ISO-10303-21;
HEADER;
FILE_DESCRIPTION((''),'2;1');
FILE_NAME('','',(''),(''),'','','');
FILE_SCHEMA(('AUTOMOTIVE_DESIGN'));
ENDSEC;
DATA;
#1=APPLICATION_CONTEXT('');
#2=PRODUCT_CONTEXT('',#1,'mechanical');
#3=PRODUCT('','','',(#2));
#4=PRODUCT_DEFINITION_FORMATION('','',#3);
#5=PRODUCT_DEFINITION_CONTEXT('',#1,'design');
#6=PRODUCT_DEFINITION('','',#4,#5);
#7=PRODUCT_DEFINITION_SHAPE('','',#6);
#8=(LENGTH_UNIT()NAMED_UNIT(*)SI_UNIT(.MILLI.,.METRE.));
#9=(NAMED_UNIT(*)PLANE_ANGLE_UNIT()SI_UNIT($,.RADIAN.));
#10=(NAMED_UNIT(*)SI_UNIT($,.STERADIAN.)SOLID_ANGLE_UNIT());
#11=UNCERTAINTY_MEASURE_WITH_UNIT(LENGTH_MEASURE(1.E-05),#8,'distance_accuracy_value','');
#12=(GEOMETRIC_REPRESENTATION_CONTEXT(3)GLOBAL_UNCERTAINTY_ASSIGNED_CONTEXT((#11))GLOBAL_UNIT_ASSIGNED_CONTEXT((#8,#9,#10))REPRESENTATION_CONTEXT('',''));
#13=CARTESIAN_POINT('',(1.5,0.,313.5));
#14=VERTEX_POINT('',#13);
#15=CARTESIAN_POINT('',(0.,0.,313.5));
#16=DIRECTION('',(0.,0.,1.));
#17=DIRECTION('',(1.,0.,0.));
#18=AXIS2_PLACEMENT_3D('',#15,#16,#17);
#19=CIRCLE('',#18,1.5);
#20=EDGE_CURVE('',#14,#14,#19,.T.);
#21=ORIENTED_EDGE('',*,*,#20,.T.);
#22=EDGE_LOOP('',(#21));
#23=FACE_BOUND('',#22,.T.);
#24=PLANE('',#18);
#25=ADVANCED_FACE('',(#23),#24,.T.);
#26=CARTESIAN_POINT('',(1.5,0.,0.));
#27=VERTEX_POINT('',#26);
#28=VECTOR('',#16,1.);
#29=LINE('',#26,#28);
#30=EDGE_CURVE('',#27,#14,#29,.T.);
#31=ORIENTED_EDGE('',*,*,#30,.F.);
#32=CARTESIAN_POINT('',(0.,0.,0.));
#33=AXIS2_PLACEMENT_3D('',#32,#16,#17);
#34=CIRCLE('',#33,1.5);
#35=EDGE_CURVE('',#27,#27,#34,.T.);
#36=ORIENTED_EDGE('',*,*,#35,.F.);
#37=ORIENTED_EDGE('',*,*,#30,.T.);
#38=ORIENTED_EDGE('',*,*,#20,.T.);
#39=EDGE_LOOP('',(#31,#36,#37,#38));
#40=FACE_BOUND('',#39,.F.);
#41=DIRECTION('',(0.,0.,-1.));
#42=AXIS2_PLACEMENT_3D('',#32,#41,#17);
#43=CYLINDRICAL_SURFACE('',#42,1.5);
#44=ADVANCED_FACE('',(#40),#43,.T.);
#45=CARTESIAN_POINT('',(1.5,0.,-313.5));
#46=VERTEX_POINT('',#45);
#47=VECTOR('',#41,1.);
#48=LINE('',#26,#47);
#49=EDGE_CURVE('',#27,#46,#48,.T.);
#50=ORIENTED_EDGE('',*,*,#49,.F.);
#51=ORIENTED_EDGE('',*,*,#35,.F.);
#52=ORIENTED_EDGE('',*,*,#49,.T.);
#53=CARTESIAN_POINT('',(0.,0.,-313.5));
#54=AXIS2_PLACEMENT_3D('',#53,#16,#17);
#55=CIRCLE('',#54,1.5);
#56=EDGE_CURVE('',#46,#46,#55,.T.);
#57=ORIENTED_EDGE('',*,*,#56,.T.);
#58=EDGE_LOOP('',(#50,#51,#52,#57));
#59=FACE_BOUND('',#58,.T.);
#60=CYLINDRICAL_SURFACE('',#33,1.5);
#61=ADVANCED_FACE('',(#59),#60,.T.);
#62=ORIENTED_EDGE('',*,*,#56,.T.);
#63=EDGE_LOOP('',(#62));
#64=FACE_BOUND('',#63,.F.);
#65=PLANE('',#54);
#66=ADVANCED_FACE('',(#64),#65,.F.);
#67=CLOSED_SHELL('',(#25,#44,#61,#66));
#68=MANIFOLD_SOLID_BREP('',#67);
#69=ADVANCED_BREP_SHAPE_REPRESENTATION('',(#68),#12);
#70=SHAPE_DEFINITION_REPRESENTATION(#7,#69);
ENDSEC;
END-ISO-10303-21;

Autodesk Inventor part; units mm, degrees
ref_plane "YZ Plane" through (0, 0, 0) normal (1, 0, 0) x (0, 1, 0)
ref_plane "XZ Plane" through (0, 0, 0) normal (0, 1, 0) x (-1, 0, 0)
ref_plane "XY Plane" through (0, 0, 0) normal (0, 0, 1) x (1, 0, 0)
sketch "スケッチ1" plane through (0, 0, 0) normal (0, 0, 1) x (1, 0, 0)
  circle A0 centre (0, 0) radius 1.5
  dimension "d0" = 3
extrude "押し出し1" add sketch "スケッチ1" along normal mid plane 627
properties material "ゴム"
